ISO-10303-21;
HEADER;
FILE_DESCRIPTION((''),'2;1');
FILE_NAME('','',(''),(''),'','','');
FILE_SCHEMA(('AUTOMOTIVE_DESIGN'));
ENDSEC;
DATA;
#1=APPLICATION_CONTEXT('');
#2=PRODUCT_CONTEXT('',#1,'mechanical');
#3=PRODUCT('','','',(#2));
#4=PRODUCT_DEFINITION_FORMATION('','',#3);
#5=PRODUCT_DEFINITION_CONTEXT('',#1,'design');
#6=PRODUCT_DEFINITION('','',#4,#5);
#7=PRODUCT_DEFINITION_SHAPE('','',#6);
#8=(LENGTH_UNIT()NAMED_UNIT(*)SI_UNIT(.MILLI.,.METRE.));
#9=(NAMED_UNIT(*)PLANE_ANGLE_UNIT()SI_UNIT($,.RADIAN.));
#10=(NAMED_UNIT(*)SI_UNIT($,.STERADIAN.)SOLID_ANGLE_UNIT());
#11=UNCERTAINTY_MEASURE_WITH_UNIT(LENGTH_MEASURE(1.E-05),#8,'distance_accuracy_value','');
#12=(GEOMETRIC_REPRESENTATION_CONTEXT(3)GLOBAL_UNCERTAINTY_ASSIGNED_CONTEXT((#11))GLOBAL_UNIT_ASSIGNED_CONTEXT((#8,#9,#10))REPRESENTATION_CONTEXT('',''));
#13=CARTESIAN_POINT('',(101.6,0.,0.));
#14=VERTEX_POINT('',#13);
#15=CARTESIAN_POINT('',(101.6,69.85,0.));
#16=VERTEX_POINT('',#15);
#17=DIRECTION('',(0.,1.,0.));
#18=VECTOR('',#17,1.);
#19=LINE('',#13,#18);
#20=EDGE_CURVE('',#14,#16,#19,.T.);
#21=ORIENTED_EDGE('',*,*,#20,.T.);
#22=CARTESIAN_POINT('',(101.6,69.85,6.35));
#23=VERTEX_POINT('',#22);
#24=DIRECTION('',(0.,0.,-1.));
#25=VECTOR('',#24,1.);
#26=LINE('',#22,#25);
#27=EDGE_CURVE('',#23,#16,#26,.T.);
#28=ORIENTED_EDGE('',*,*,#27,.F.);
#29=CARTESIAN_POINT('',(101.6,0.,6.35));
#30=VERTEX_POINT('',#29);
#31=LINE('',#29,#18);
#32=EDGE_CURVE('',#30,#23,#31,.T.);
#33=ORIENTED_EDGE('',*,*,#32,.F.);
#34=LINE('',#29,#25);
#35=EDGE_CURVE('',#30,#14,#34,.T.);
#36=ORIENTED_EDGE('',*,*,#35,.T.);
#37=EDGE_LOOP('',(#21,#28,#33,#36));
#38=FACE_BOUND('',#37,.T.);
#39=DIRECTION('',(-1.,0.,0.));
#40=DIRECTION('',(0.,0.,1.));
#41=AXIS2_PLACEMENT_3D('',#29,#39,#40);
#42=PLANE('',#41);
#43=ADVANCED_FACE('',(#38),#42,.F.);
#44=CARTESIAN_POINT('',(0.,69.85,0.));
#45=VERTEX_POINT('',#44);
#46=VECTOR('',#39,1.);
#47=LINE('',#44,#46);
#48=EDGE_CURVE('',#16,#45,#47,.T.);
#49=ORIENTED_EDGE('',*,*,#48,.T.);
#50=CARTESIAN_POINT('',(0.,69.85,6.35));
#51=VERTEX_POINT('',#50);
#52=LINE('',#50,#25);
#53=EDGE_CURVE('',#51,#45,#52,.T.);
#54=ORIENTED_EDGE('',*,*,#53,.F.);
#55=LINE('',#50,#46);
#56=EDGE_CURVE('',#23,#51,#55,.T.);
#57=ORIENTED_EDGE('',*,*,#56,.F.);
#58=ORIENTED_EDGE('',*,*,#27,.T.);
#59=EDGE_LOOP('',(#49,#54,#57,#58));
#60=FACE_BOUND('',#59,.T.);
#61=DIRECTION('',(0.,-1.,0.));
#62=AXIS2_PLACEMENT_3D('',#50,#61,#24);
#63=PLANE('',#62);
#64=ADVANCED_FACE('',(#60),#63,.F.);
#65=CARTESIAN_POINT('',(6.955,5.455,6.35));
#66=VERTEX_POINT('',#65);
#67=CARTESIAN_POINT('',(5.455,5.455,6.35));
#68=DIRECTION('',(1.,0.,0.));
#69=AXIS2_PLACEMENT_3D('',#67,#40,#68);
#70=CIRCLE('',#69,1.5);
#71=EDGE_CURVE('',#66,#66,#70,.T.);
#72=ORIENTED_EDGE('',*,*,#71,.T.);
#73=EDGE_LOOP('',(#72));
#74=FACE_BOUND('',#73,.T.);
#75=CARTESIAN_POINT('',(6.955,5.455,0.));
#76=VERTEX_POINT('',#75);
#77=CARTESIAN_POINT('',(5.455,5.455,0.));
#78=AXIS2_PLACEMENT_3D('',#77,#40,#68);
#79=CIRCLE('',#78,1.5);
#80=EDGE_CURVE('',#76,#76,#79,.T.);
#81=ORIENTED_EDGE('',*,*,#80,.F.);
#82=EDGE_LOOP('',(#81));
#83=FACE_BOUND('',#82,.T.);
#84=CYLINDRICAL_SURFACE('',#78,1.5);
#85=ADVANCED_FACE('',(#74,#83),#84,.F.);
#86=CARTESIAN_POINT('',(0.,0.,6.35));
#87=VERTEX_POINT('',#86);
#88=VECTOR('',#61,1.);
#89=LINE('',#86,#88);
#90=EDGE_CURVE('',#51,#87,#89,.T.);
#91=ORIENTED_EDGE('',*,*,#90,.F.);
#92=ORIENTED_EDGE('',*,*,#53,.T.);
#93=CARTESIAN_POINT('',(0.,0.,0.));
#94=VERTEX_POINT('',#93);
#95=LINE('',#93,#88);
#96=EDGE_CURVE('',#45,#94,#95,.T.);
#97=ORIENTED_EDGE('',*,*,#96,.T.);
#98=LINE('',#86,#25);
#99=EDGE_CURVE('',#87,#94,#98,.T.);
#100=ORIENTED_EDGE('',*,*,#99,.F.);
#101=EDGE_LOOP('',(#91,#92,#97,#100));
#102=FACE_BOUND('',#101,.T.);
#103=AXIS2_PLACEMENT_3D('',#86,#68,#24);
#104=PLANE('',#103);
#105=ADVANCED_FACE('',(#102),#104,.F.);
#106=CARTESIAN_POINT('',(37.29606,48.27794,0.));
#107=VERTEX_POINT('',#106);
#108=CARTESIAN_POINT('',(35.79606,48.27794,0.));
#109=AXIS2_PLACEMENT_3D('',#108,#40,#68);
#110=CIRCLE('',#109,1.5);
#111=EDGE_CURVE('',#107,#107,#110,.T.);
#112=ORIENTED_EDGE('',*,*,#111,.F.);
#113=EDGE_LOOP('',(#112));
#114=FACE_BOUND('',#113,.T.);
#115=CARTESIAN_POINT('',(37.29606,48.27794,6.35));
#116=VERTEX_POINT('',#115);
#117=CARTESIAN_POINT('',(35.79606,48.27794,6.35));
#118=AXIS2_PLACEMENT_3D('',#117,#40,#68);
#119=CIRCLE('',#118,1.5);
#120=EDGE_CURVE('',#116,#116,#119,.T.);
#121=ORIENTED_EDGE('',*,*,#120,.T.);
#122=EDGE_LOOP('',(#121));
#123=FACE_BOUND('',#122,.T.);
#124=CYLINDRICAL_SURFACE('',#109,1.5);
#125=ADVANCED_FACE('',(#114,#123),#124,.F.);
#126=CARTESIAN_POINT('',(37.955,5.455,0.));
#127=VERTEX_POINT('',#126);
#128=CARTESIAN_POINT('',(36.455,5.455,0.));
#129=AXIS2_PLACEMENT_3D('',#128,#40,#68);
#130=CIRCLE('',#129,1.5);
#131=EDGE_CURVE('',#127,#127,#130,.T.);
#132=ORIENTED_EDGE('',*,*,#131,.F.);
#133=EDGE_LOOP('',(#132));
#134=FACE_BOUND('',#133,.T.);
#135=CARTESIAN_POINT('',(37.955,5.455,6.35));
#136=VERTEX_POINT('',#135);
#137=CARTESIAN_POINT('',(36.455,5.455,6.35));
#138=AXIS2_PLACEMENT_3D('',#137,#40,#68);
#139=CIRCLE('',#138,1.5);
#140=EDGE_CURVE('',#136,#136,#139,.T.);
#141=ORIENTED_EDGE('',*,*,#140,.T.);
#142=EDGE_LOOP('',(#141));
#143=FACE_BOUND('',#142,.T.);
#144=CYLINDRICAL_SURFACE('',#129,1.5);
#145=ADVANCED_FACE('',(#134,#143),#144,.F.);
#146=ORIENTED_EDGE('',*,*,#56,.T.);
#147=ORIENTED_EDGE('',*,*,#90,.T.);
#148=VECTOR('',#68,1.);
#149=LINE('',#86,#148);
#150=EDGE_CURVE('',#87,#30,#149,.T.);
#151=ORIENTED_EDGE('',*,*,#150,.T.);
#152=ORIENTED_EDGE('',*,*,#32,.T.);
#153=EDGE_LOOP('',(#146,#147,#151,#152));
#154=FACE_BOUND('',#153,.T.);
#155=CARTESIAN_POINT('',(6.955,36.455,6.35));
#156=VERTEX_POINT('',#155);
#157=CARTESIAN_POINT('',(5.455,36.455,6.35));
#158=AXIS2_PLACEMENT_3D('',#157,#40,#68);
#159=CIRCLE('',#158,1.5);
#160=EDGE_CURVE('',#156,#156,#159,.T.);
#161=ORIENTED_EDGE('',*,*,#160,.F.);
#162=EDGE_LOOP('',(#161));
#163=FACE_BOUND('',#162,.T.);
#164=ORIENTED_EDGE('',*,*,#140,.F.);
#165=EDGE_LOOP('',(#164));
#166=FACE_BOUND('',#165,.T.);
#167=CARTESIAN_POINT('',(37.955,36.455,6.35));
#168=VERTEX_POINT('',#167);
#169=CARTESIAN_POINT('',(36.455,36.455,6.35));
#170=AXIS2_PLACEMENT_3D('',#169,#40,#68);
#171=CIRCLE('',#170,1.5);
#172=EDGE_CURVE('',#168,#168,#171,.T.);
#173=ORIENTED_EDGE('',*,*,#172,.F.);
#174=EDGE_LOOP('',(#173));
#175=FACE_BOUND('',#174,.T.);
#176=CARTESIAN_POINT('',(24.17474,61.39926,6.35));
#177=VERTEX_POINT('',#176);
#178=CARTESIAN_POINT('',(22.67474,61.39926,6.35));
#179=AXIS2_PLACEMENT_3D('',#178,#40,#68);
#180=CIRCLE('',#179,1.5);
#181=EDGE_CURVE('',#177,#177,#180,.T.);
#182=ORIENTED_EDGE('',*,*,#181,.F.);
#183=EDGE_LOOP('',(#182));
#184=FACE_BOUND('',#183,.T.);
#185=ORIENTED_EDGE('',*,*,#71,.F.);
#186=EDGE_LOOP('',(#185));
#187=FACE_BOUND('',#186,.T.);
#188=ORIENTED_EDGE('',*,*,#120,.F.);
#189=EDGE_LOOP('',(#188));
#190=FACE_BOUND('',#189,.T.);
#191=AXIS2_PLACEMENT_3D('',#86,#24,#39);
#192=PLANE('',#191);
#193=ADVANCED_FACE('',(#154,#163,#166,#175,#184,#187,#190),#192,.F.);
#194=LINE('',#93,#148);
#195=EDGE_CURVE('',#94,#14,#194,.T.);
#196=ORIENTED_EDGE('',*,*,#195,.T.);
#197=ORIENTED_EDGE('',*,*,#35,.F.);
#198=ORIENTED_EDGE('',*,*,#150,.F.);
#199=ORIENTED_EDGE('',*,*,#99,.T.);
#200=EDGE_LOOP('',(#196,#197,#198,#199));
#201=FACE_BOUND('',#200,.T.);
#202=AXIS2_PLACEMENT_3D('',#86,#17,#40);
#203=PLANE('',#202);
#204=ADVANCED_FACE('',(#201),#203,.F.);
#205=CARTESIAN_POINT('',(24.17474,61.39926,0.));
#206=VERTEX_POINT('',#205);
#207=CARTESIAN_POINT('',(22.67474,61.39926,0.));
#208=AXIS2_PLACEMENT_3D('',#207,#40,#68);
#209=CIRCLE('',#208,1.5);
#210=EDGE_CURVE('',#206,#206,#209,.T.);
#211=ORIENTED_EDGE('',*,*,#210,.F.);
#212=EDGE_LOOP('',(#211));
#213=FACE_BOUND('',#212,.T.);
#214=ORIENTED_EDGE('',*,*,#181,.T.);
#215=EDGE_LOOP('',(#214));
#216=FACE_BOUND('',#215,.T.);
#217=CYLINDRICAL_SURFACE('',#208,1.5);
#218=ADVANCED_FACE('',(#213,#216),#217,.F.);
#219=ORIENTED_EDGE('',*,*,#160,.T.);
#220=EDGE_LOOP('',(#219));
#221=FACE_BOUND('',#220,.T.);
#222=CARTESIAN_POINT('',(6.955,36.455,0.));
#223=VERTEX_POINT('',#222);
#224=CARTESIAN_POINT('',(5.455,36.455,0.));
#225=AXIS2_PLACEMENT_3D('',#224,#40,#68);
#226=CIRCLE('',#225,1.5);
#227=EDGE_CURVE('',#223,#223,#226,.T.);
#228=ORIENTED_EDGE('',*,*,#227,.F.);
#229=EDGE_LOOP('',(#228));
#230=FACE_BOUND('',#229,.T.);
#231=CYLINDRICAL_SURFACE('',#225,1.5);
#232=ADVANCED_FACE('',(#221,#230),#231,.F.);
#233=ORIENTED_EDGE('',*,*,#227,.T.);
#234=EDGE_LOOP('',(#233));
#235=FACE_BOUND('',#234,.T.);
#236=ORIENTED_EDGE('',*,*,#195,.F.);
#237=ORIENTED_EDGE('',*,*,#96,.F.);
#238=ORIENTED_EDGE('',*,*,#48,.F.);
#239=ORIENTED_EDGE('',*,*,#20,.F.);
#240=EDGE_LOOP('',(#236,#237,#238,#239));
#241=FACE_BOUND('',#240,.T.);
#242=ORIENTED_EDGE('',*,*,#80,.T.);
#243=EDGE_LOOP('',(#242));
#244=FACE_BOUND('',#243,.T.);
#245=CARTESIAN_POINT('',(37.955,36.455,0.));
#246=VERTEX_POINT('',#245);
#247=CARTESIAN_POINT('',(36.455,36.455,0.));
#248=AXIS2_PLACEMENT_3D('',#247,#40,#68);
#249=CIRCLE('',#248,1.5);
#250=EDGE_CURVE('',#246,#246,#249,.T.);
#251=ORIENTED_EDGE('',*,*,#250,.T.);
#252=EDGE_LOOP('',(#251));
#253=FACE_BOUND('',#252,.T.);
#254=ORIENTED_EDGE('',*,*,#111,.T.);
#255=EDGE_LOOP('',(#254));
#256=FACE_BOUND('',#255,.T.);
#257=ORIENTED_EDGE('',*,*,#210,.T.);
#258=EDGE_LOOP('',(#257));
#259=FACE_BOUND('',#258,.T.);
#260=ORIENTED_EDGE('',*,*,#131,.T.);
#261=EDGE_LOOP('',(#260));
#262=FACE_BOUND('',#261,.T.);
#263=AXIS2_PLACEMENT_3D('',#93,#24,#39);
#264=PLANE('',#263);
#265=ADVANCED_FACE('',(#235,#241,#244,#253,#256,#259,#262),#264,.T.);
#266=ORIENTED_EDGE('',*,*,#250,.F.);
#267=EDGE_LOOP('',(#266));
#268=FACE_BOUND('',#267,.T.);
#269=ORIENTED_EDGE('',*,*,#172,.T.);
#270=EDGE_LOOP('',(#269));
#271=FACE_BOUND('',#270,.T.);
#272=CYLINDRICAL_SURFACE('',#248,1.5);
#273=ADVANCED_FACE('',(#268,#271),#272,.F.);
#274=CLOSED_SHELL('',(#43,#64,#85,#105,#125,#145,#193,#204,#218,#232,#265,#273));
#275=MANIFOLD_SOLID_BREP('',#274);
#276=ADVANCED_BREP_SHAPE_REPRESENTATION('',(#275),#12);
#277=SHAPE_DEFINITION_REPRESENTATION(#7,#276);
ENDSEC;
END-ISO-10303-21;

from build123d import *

# Parameters (mm, degrees)
SKETCH1_W           = 101.6
SKETCH1_H           = 69.85
BOSS_EXTRUDE1_DEPTH = 6.35
SKETCH2_R           = 1.5
CUT_EXTRUDE1_DEPTH  = 124.458110305


with BuildPart() as part:
    # Sketch1 → Boss-Extrude1 (new body)
    with BuildSketch(Plane.XY):
        with Locations((50.8, 34.925)):
            Rectangle(SKETCH1_W, SKETCH1_H)
    extrude(amount=BOSS_EXTRUDE1_DEPTH)

    # Sketch2 → Cut-Extrude1 (cut, through all)
    with BuildSketch(Plane.XY.offset(6.35)):
        with Locations((5.455, 5.455)):
            Circle(SKETCH2_R)
        with Locations((5.455, 36.455)):
            Circle(SKETCH2_R)
        with Locations((36.455, 5.455)):
            Circle(SKETCH2_R)
        with Locations((36.455, 36.455)):
            Circle(SKETCH2_R)
        with Locations((22.674739828, 61.399260172)):
            Circle(SKETCH2_R)
        with Locations((35.796060172, 48.277939828)):
            Circle(SKETCH2_R)
    extrude(amount=-CUT_EXTRUDE1_DEPTH, mode=Mode.SUBTRACT)


solid = part.part
